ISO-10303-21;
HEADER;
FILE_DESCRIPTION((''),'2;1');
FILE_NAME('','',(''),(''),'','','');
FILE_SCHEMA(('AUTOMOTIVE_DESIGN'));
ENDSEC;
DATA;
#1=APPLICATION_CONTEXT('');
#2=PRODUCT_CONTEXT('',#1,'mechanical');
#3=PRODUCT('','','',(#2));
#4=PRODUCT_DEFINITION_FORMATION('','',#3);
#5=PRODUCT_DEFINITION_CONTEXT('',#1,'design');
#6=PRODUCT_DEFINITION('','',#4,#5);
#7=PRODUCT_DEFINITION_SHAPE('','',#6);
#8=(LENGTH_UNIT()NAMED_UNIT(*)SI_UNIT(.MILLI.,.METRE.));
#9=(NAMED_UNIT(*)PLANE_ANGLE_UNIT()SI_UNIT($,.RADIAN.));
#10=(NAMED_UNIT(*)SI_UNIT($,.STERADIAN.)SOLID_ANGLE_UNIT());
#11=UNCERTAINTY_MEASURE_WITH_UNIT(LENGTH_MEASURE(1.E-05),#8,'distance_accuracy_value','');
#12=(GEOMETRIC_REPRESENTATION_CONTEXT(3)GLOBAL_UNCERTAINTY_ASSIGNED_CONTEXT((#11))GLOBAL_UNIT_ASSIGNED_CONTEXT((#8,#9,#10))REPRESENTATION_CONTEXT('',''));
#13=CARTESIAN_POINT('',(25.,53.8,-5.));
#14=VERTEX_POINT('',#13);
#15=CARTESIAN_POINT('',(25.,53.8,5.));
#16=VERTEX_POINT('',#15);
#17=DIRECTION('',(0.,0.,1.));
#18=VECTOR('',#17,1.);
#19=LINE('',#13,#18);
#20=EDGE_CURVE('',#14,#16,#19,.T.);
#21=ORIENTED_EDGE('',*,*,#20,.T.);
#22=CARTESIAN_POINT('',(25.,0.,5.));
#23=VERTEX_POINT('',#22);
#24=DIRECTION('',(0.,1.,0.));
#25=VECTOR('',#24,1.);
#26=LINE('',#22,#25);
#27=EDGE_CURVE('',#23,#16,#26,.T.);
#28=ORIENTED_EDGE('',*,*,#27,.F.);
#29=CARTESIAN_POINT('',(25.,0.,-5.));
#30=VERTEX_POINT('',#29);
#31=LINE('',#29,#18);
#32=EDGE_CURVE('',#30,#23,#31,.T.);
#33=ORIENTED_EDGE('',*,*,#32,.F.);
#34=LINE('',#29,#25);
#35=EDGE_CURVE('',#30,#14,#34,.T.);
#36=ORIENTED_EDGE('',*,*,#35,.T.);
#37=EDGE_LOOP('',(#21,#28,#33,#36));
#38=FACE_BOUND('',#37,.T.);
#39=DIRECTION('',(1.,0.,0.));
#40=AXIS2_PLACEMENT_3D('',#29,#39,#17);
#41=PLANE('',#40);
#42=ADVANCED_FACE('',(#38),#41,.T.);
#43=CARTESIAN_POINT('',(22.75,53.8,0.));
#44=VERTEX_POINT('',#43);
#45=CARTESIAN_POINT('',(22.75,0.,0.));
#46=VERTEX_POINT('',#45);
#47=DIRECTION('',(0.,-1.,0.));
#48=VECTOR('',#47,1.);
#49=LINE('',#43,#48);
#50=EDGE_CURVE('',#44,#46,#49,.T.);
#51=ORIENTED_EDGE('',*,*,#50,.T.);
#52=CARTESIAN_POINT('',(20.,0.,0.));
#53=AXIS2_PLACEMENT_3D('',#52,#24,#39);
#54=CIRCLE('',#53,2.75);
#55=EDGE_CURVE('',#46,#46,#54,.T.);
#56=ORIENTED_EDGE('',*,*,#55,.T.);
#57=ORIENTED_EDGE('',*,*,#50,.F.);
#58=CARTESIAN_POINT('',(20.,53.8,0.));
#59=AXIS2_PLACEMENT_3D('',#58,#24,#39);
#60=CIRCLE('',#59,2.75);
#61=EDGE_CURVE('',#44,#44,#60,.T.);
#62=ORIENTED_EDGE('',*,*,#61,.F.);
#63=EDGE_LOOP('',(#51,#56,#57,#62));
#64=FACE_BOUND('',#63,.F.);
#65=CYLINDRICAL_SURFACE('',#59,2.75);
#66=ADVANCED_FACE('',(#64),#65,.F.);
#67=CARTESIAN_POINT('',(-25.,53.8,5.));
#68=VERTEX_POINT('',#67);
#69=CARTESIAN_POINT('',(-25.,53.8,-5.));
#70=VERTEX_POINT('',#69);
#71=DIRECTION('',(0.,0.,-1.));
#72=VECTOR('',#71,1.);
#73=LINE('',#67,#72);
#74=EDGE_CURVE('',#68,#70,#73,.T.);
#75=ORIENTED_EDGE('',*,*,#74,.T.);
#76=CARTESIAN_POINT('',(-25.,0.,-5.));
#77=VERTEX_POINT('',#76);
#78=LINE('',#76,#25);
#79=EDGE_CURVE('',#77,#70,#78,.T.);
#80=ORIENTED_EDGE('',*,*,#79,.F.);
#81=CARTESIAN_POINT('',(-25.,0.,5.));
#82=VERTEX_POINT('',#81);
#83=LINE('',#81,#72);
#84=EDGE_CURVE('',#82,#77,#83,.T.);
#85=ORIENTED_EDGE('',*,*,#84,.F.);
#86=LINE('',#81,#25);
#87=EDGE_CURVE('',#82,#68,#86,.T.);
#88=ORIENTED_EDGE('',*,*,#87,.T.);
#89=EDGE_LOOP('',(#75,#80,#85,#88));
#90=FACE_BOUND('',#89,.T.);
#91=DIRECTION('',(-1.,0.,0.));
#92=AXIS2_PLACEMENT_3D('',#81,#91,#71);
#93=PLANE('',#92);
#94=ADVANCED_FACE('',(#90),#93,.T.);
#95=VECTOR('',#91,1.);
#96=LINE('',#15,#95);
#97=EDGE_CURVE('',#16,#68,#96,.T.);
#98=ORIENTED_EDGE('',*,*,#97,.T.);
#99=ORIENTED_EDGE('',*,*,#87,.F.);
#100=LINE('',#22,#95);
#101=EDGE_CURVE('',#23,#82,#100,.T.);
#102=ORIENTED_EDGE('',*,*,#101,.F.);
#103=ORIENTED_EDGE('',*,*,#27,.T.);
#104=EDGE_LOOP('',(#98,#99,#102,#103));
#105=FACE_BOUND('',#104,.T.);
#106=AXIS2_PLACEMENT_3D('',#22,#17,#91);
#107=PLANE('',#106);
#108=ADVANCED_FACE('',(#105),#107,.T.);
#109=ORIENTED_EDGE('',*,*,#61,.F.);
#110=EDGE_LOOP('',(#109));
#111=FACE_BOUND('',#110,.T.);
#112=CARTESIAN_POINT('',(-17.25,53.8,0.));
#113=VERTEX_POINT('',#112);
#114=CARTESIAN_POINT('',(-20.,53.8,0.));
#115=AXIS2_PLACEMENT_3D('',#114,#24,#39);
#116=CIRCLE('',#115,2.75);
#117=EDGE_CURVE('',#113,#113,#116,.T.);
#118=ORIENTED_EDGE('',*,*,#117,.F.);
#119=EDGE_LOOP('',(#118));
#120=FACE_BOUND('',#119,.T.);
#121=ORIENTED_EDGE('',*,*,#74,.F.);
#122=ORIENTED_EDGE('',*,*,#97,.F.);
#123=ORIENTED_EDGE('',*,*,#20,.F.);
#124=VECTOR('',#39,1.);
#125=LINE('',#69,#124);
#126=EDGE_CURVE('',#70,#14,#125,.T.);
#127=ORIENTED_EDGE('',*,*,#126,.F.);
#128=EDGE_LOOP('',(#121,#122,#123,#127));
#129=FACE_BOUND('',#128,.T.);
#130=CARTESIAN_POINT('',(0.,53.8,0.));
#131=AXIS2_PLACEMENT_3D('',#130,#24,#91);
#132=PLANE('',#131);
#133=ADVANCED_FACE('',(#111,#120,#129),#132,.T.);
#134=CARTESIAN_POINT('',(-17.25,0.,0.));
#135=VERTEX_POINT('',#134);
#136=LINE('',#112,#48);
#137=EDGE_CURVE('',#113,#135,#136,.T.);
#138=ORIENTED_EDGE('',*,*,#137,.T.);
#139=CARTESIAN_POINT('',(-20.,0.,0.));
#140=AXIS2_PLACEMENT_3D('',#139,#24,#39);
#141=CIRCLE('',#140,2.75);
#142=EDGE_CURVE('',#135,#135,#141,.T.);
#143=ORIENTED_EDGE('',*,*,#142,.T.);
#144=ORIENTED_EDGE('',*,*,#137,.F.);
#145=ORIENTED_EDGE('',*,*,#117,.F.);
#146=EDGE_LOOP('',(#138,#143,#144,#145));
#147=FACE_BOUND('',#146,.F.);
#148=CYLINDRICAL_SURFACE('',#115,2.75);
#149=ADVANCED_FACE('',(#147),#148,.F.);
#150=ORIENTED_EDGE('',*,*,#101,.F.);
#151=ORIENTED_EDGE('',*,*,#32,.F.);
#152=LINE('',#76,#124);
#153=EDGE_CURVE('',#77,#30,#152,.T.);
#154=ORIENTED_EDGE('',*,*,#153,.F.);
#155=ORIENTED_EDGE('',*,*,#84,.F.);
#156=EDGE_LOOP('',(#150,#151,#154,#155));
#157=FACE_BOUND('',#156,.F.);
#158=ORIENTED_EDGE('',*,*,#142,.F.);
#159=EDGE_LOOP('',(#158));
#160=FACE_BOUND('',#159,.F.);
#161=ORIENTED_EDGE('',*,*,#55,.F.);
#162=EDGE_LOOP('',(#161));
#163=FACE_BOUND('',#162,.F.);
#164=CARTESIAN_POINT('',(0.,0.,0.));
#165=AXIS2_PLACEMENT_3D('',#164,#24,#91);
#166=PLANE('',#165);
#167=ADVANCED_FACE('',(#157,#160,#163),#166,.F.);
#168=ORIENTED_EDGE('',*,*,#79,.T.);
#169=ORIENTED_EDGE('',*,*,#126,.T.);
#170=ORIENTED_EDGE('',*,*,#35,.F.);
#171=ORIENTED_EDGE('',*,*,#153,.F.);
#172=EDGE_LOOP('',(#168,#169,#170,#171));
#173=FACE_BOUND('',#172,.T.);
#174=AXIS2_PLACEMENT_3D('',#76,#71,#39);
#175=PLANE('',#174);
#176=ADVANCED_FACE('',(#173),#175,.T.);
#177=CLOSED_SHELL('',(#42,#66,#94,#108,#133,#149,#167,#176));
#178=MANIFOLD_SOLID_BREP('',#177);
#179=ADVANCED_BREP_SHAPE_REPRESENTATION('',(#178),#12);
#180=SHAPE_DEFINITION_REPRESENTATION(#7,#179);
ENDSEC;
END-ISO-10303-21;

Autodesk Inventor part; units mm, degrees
ref_plane "YZ Plane" through (0, 0, 0) normal (1, 0, 0) x (0, 1, 0)
ref_plane "XZ Plane" through (0, 0, 0) normal (0, 1, 0) x (-1, 0, 0)
ref_plane "XY Plane" through (0, 0, 0) normal (0, 0, 1) x (1, 0, 0)
sketch "Esquisse1" plane through (0, 0, 0) normal (0, 1, 0) x (-1, 0, 0)
  line L0 (-25, 5) -> (25, 5)
  line L1 (25, 5) -> (25, -5)
  line L2 (25, -5) -> (-25, -5)
  line L3 (-25, -5) -> (-25, 5)
  line L4 (-25, 5) -> (25, -5) construction
  line L5 (25, 5) -> (-25, -5) construction
  point P0 (0, 0)
  dimension "d0" = 50
  dimension "d1" = 10
extrude "Extrusion1" add sketch "Esquisse1" along normal blind 53.8
sketch "Esquisse2" plane through (0, 53.8, 0) normal (0, 1, 0) x (1, 0, 0)
  circle A0 centre (-20, 0) radius 2.75
  circle A1 centre (20, 0) radius 2.75
  line L0 (-25, -5) -> (25, -5) projected
  line L1 (-25, 5) -> (-25, -5) projected
  line L2 (25, -5) -> (25, 5) projected
  point P0 (0, 0)
  dimension "d4" = 5.5
  dimension "d5" = 5.5
  dimension "d6" = 5
  dimension "d7" = 5
  dimension "d8" = 5
  dimension "d9" = 5
extrude "Extrusion2" cut sketch "Esquisse2" against normal blind 53.8
properties part number "support_moteur"
